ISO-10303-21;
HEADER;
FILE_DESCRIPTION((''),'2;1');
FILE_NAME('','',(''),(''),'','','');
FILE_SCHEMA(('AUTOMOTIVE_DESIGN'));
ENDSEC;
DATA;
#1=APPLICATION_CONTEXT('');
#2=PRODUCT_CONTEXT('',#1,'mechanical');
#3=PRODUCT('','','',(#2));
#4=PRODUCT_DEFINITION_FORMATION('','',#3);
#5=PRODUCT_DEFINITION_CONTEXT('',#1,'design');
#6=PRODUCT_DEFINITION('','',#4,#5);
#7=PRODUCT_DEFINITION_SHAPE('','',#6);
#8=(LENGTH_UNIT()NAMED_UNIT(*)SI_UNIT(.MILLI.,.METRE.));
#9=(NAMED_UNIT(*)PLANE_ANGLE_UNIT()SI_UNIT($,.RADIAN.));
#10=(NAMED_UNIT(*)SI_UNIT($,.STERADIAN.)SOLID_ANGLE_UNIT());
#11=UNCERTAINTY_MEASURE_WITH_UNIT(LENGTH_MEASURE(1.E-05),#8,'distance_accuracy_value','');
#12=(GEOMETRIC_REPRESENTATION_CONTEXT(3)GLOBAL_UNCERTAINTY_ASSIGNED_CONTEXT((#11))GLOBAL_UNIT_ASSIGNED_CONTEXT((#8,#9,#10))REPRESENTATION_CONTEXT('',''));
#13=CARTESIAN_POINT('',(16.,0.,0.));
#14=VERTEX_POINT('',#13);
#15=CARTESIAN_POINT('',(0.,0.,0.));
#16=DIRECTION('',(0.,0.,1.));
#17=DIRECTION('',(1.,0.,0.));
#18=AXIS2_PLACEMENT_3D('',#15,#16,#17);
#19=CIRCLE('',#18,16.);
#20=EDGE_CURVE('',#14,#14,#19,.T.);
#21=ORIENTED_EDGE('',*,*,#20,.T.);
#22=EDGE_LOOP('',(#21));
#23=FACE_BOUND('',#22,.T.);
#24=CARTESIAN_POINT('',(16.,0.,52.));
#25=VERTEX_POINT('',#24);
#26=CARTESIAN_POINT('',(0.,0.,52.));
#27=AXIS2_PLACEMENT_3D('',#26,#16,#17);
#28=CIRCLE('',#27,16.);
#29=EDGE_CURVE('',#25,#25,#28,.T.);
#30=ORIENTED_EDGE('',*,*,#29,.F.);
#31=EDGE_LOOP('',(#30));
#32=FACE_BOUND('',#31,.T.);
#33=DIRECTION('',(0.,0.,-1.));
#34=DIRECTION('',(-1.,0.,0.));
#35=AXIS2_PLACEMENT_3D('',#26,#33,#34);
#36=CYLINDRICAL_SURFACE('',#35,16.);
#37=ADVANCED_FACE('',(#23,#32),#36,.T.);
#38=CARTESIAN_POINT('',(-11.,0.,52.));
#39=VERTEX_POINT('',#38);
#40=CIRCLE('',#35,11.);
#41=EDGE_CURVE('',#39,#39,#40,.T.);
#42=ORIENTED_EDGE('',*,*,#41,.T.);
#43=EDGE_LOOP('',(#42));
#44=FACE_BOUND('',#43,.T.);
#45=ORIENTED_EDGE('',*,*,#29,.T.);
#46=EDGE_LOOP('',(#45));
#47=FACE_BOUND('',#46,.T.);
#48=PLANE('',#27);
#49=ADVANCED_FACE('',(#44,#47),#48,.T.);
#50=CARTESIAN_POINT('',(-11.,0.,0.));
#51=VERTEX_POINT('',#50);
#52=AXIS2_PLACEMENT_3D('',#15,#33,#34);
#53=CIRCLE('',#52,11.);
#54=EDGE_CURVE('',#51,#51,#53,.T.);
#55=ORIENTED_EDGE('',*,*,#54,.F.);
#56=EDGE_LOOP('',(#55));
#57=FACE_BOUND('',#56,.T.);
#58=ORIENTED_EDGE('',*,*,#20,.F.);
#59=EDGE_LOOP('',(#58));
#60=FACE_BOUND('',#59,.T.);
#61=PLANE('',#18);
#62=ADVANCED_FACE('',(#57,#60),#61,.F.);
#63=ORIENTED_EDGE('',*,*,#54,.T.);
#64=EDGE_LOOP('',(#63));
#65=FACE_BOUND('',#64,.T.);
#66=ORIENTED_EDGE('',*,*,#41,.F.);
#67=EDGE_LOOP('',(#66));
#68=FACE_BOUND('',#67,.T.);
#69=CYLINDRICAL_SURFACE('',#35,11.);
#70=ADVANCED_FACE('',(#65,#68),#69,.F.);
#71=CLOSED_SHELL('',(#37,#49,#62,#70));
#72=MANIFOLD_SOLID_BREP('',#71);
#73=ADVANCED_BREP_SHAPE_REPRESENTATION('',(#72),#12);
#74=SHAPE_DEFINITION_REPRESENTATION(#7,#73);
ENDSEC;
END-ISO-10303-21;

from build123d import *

# Parameters (mm, degrees)
SKETCH1_R           = 16
BOSS_EXTRUDE1_DEPTH = 52
SKETCH2_R           = 11
CUT_EXTRUDE1_DEPTH  = 52


with BuildPart() as part:
    # Sketch1 → Boss-Extrude1 (new body)
    with BuildSketch(Plane.XY):
        Circle(SKETCH1_R)
    extrude(amount=BOSS_EXTRUDE1_DEPTH)

    # Sketch2 → Cut-Extrude1 (cut)
    with BuildSketch(Plane(origin=(0, 0, 0), x_dir=(-1, 0, 0), z_dir=(0, 0, -1))):
        Circle(SKETCH2_R)
    extrude(amount=-CUT_EXTRUDE1_DEPTH, mode=Mode.SUBTRACT)


solid = part.part
